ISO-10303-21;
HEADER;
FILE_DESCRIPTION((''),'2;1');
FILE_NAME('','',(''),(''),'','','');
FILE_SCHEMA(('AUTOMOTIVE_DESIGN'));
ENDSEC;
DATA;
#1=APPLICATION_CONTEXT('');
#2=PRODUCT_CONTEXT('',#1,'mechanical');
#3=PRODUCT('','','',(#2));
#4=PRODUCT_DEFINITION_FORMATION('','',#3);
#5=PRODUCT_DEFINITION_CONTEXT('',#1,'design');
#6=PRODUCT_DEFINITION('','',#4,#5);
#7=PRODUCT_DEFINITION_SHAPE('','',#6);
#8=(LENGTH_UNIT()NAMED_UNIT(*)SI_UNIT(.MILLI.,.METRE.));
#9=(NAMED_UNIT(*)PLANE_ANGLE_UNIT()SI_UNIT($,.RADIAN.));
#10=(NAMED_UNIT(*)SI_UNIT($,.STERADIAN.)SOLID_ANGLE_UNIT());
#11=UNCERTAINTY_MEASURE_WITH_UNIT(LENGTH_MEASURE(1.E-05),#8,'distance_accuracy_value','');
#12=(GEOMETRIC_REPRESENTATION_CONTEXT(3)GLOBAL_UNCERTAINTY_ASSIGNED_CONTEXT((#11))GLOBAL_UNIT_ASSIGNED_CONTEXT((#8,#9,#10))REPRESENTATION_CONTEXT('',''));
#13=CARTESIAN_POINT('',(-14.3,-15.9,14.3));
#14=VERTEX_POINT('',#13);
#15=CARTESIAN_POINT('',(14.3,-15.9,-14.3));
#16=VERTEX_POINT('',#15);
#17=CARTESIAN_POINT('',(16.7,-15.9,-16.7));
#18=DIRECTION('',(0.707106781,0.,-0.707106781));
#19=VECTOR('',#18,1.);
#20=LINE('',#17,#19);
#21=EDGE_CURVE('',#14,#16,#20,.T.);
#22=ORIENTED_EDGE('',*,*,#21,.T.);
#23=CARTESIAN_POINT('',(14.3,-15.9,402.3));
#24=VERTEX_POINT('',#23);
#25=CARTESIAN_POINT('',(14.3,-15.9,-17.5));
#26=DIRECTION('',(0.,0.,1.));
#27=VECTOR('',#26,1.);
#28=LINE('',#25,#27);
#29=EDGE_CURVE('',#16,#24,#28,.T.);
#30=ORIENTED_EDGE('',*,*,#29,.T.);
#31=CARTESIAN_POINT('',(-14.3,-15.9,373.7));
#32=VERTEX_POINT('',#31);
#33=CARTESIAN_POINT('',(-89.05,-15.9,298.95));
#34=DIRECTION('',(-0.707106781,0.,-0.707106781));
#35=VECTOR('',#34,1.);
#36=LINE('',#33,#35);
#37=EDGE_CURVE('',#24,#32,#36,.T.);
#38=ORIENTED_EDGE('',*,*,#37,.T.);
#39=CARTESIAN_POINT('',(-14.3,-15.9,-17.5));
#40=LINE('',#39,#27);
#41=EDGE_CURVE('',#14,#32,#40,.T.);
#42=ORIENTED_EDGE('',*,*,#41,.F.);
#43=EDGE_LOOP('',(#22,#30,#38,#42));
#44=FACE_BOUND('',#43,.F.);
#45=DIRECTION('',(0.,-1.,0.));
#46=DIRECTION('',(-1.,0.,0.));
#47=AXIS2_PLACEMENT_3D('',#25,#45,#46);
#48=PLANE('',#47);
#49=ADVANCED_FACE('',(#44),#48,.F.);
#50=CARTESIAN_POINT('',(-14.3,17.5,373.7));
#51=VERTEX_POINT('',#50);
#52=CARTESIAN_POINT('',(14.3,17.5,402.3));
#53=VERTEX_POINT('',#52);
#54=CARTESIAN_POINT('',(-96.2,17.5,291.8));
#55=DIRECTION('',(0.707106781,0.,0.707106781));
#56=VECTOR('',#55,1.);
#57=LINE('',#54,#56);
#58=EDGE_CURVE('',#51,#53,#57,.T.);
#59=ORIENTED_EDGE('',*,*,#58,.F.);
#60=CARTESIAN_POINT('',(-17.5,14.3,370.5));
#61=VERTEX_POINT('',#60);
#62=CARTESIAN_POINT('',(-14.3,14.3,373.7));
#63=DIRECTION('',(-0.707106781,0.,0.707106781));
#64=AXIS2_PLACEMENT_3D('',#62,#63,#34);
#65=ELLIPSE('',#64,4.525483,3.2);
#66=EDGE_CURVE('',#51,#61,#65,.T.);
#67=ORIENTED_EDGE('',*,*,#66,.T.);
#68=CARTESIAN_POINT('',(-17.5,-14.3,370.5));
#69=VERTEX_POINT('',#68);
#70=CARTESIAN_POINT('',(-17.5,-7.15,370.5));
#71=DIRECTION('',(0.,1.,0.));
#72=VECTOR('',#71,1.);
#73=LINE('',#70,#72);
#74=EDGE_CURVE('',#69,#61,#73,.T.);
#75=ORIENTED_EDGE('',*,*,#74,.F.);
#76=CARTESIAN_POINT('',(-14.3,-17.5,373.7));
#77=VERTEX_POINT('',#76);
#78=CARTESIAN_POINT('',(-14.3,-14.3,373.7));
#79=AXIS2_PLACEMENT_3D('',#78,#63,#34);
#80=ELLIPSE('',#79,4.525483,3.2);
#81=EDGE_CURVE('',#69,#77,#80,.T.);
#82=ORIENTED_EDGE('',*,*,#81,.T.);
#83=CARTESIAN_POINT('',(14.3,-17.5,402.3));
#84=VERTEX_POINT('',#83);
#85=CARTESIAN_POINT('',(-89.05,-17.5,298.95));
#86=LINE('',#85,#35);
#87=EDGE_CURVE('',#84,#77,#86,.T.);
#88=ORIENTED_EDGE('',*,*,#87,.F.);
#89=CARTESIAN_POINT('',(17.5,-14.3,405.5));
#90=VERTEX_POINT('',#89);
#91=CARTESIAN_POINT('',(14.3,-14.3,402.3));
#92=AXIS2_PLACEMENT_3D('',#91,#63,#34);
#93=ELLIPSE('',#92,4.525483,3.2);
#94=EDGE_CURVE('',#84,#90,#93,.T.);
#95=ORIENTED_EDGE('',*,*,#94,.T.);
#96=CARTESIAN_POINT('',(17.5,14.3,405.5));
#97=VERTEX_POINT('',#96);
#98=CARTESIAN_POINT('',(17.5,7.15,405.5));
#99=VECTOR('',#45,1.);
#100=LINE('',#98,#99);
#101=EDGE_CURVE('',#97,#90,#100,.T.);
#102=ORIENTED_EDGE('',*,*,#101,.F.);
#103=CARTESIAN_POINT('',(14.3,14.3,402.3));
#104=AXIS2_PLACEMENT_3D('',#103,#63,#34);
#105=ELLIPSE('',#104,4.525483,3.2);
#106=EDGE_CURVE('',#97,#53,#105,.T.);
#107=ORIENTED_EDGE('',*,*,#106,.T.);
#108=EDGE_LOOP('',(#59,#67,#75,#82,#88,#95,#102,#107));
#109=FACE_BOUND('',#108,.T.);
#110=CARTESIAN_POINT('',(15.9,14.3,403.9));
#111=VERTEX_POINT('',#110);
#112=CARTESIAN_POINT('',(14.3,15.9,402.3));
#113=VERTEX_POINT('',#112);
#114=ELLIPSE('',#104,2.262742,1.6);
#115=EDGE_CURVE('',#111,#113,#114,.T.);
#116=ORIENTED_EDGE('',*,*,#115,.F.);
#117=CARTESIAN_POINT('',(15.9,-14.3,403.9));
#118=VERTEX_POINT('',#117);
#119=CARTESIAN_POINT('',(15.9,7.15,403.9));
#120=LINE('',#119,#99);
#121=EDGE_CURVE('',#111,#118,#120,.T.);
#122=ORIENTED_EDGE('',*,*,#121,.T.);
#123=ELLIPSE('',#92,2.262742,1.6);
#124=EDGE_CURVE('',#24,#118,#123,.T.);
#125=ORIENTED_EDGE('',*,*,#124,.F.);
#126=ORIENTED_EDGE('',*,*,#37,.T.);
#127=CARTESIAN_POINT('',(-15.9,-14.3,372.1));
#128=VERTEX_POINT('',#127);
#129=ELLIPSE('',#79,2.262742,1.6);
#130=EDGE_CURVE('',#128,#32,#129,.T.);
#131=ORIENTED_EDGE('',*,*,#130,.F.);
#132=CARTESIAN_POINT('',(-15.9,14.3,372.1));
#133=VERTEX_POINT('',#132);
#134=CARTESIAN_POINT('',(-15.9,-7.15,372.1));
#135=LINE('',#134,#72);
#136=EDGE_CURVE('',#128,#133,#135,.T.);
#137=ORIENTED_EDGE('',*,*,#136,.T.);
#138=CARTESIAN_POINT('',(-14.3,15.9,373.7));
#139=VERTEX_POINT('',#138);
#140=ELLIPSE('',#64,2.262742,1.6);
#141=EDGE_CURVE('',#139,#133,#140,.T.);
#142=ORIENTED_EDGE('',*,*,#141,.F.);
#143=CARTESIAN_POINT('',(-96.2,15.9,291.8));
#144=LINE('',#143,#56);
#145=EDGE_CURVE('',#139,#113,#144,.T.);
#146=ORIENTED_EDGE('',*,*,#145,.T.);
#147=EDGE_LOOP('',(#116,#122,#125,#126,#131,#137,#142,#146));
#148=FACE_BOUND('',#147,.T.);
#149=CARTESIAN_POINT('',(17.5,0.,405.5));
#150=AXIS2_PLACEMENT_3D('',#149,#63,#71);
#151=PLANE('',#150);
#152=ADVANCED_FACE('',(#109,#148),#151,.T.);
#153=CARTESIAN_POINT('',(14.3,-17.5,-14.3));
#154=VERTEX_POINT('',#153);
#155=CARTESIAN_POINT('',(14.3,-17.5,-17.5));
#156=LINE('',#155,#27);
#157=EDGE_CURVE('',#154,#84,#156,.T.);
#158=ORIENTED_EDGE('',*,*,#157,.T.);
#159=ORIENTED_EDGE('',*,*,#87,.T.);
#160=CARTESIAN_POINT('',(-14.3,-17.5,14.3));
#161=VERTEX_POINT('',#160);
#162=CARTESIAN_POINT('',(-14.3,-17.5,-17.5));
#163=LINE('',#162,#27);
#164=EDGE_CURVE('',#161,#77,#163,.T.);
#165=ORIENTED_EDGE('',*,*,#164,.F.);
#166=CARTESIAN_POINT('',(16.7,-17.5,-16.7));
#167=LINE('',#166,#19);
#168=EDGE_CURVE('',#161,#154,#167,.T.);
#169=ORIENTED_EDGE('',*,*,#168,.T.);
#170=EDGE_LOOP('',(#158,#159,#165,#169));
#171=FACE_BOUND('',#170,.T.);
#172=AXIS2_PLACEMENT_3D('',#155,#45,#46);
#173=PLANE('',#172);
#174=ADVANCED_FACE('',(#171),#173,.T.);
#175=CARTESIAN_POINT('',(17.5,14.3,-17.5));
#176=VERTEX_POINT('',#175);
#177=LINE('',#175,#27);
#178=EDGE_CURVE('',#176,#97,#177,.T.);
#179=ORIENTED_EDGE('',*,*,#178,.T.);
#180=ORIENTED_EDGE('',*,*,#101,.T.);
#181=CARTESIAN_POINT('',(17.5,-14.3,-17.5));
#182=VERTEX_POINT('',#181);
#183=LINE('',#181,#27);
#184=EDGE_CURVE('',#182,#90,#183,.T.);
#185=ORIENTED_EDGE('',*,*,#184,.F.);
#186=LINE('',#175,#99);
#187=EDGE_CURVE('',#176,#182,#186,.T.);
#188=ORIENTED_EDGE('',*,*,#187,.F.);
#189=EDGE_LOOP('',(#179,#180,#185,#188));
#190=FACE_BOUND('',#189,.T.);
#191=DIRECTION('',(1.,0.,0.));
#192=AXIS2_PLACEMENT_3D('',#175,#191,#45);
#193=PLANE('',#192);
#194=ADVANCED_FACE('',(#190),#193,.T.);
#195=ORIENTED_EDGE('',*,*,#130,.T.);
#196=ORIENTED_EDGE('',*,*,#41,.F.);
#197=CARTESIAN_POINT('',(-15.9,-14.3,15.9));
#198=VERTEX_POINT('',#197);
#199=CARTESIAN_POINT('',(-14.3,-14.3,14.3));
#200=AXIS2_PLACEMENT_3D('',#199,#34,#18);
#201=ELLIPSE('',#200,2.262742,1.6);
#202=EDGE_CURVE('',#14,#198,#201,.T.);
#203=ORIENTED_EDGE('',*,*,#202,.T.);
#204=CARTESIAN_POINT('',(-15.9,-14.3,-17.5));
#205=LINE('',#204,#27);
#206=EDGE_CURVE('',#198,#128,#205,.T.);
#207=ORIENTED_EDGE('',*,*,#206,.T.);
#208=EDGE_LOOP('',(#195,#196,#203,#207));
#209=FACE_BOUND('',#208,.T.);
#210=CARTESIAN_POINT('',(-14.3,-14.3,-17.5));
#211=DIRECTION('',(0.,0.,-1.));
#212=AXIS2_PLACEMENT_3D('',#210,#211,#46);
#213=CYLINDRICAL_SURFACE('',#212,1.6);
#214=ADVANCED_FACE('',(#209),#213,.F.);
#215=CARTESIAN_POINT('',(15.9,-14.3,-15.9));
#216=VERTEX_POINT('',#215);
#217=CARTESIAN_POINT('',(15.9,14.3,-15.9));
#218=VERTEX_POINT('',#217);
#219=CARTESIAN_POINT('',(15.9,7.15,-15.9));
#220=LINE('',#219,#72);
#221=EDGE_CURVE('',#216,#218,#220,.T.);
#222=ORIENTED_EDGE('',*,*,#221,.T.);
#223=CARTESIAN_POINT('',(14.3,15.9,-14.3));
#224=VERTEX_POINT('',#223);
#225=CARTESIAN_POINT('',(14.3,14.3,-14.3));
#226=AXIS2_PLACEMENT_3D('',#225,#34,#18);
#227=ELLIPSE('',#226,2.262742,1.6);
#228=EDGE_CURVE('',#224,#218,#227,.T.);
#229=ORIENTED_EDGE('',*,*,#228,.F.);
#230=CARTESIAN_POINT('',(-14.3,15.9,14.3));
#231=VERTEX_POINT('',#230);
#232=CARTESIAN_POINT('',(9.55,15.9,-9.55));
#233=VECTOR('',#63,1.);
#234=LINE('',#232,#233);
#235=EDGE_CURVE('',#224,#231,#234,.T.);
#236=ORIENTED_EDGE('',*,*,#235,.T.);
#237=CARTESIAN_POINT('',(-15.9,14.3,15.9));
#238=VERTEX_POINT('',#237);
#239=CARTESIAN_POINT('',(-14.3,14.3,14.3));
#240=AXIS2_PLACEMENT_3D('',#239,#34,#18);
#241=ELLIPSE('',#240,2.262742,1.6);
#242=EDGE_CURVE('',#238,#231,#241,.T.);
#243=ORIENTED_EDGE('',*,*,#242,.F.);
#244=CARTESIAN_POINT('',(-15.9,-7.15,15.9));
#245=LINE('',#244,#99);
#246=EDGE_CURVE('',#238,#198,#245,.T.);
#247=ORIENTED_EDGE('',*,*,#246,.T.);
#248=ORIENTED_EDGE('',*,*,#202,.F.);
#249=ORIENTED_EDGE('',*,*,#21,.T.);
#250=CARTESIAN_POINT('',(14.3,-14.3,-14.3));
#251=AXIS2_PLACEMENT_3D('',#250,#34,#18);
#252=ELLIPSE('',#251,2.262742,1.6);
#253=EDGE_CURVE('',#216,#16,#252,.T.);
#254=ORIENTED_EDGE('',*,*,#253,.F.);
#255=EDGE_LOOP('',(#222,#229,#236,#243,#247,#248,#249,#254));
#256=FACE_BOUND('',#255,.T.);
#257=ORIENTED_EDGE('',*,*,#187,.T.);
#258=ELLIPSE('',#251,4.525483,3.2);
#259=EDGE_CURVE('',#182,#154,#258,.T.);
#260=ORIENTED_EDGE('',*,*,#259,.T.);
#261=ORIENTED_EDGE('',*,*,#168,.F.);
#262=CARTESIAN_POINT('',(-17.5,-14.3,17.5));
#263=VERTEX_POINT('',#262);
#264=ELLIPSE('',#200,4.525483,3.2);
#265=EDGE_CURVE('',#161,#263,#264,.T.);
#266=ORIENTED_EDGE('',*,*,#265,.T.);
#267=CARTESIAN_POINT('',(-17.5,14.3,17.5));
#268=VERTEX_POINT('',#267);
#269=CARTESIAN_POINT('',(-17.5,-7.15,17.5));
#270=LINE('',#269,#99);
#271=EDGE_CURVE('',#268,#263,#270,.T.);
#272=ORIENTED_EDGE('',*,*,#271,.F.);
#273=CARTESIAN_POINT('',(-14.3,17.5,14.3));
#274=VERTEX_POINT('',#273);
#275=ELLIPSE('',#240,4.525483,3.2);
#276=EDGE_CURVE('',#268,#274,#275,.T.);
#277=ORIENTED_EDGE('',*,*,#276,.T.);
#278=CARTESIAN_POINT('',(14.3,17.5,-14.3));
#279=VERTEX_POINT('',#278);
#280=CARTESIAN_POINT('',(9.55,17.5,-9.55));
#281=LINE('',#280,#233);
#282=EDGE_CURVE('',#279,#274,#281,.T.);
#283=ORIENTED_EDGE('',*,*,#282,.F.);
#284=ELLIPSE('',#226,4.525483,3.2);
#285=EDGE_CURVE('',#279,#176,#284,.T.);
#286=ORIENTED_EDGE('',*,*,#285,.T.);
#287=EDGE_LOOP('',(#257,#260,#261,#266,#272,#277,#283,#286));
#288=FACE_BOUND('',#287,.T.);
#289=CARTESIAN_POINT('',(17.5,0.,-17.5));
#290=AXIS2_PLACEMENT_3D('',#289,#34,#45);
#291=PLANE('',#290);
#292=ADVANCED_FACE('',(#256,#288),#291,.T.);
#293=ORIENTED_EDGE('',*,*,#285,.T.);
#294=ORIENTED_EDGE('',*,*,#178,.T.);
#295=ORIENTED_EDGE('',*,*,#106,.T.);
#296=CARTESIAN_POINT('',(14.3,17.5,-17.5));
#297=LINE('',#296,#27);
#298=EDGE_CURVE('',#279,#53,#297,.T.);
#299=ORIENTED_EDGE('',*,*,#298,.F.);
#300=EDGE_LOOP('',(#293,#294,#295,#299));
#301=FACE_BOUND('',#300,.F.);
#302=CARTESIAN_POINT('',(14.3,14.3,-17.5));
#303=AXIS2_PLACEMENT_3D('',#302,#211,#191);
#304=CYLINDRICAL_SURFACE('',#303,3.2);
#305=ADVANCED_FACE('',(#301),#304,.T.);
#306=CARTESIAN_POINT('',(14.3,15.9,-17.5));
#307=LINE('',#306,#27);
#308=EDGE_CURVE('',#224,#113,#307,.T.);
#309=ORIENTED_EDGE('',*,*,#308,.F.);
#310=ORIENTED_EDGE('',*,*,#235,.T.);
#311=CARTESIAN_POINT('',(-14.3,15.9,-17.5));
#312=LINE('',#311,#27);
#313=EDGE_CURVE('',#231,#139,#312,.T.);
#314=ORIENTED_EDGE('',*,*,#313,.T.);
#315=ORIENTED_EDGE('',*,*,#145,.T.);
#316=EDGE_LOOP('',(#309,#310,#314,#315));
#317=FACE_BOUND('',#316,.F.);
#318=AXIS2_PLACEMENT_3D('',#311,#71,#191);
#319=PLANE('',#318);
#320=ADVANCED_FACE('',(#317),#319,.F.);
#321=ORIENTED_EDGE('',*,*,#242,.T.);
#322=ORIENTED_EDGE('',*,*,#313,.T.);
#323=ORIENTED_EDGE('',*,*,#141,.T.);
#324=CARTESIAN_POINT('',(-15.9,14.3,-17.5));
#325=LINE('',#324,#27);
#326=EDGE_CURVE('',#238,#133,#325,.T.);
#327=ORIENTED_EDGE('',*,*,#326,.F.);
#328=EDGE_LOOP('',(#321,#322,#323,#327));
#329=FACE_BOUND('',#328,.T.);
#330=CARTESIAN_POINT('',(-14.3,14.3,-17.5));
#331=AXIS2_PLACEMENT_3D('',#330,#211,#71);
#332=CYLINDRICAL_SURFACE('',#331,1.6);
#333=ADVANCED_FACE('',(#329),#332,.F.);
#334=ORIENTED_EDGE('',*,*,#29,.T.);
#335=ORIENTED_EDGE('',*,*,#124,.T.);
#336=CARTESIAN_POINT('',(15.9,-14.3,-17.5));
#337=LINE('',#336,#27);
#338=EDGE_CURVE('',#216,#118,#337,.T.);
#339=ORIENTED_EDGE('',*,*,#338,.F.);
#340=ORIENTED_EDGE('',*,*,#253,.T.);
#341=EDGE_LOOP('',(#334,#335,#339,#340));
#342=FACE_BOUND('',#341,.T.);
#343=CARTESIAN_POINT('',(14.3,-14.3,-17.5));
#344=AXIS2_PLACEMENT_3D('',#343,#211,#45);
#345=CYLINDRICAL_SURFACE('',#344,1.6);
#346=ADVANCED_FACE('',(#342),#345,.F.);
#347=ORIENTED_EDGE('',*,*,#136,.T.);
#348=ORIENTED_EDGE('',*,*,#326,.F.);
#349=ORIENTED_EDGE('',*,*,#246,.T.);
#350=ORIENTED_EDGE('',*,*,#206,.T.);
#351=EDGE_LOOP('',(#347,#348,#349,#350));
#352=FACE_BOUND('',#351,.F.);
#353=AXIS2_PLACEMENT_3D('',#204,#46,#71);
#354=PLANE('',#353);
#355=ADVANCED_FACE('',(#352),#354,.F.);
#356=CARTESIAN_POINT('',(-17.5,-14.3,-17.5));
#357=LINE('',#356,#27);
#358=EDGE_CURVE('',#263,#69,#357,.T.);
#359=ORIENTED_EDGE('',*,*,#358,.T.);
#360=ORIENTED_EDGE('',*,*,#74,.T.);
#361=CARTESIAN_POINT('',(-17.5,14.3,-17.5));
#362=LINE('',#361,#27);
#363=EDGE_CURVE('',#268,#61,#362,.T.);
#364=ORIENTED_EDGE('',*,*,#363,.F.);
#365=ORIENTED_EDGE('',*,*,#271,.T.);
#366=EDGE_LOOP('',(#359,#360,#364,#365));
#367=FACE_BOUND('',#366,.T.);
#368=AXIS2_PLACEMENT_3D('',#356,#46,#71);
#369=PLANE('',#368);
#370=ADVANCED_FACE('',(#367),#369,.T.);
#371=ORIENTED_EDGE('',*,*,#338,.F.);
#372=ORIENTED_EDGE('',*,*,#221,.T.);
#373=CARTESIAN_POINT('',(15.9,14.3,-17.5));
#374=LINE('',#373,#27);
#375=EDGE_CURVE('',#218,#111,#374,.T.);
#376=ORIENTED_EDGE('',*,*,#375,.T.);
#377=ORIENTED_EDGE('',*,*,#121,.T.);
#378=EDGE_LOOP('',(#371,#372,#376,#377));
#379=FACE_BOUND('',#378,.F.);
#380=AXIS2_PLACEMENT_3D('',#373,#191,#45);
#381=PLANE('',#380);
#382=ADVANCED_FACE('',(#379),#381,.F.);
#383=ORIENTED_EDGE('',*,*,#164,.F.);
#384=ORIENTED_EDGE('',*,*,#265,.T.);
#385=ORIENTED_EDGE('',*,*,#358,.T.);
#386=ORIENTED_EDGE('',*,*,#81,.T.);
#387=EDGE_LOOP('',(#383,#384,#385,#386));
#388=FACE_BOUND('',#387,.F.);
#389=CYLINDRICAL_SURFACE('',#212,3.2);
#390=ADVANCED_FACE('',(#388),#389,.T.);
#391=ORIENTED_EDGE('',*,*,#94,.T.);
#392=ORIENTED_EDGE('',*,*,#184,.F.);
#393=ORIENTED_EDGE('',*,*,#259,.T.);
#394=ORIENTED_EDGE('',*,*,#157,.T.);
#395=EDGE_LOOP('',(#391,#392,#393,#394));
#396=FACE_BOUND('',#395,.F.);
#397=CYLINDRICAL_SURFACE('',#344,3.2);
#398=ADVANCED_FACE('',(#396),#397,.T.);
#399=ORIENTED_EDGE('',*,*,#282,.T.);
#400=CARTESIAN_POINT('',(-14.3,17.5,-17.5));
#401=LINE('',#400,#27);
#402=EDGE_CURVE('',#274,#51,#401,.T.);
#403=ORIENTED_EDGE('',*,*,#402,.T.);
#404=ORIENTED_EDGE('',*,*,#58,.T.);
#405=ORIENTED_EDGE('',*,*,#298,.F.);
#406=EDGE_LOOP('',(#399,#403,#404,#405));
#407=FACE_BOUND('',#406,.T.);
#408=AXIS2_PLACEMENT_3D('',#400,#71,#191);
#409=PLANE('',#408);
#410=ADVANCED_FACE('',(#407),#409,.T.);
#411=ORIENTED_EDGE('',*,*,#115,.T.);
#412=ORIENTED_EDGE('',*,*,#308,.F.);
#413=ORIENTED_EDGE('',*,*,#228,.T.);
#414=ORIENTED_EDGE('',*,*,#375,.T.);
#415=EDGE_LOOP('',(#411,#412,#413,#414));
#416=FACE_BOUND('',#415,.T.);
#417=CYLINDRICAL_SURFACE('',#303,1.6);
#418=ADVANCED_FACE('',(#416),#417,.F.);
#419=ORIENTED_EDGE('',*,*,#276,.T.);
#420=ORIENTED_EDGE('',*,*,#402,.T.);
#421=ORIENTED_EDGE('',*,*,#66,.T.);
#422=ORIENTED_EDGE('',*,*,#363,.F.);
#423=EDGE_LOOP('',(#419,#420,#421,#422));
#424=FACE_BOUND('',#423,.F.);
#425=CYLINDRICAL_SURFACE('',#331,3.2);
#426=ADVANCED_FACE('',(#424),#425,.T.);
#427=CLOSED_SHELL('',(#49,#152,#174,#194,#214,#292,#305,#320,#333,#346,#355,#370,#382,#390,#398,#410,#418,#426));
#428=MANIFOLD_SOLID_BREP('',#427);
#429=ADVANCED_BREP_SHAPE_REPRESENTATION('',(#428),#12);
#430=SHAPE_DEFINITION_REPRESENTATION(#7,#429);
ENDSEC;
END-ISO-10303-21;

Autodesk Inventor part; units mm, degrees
ref_plane "Start plane" through (0, 0, -17.5) normal (0, 0, 1) x (1, 0, 0)
ref_plane "End plane" through (0, 0, 417.9602) normal (0, 0, 1) x (1, 0, 0)
sketch "Sketch" plane through (0, 0, 0) normal (0, 0, 1) x (1, 0, 0)
  line L0 (-17.5, -14.3) -> (-17.5, 14.3)
  line L1 (-14.3, 17.5) -> (14.3, 17.5)
  line L2 (17.5, 14.3) -> (17.5, -14.3)
  line L3 (14.3, -17.5) -> (-14.3, -17.5)
  arc A0 (-17.5, -14.3) -> (-14.3, -17.5) centre (-14.3, -14.3) ccw
  arc A1 (-14.3, 17.5) -> (-17.5, 14.3) centre (-14.3, 14.3) ccw
  arc A2 (17.5, 14.3) -> (14.3, 17.5) centre (14.3, 14.3) ccw
  arc A3 (14.3, -17.5) -> (17.5, -14.3) centre (14.3, -14.3) ccw
  arc A4 (-14.3, 15.9) -> (-15.9, 14.3) centre (-14.3, 14.3) ccw
  line L4 (-14.3, 15.9) -> (14.3, 15.9)
  arc A5 (15.9, 14.3) -> (14.3, 15.9) centre (14.3, 14.3) ccw
  line L5 (15.9, 14.3) -> (15.9, -14.3)
  arc A6 (14.3, -15.9) -> (15.9, -14.3) centre (14.3, -14.3) ccw
  line L6 (14.3, -15.9) -> (-14.3, -15.9)
  arc A7 (-15.9, -14.3) -> (-14.3, -15.9) centre (-14.3, -14.3) ccw
  line L7 (-15.9, -14.3) -> (-15.9, 14.3)
  line L8 (0, 25.4278) -> (0, -25.4278) construction
  line L9 (-25.4278, 0) -> (25.4278, 0) construction
  dimension "d7" = 3.2
  dimension "d10" = 35
  dimension "d11" = 35
  dimension "d12" = 1.6
  dimension "d15" = 17.5
  dimension "d16" = 17.5
extrude "Body" add sketch "Sketch" along normal up to surface (435.4602 mm away) from surface at -17.5
sketch "Sketch3" plane through (0, 0, 0) normal (0, 0, 1) x (1, 0, 0)
  line L0 (0, 0) -> (10, 0)
ref_plane "Work Plane3" through (0, 0, 0) normal (0, -1, 0) x (1, 0, 0)
sketch "Sketch4" plane through (0, 0, 0) normal (0, -1, 0) x (1, 0, 0)
  line L0 (-2, -17.5) -> (12, -17.5)
  line L1 (-2, 417.9602) -> (12, 417.9602)
  dimension "d18" = 435.4602
ref_plane "Work Plane11" through (-692.5945, 0, 17.5) normal (-0.4912, 0, 0.871) x (0.871, 0, 0.4912)
split "Split5" plane through (-692.5945, 0, 17.5) removes the side toward (-0.4912, 0, 0.871)
ref_plane "Work Plane12" through (-8.5964, 0, -15.2431) normal (-0.4912, 0, -0.871) x (-0.871, 0, 0.4912)
split "Split6" plane through (-8.5964, 0, -15.2431) removes the side toward (-0.4912, 0, -0.871)
ref_plane "Work Plane13" through (17.5, 0, -17.5) normal (-0.7071, 0, -0.7071) x (-0.7071, 0, 0.7071)
split "Split7" plane through (17.5, 0, -17.5) removes the side toward (-0.7071, 0, -0.7071)
ref_plane "Work Plane14" through (17.5, 0, 405.5) normal (-0.7071, 0, 0.7071) x (0.7071, 0, 0.7071)
split "Split8" plane through (17.5, 0, 405.5) removes the side toward (-0.7071, 0, 0.7071)
equation "\"d7\" = G_IR"
equation "\"d10\" = G_H"
equation "\"d11\" = G_W"
equation "\"d12\" = G_T"
equation "\"d15\" = 0.5 * d10"
equation "\"d16\" = 0.5 * d11"
equation "\"d3\" = G_L"
equation "\"G_W\" = 35"
equation "\"G_H\" = 35"
equation "\"G_T\" = 1.6"
equation "\"G_IR\" = 3.2"
equation "\"G_L\" = d18"
equation "\"G_OFFSET_START\" = 17.5"
equation "\"G_OFFSET_END\" = 29.96025"
equation "\"d13\" = -G_OFFSET_START"
equation "\"d14\" = G_OFFSET_END + B_L"
equation "\"B_L\" = 388"
properties part number "AS 1163 - C350L0 35x35x1.6 SHS - 435.46" material "Steel, Mild"
